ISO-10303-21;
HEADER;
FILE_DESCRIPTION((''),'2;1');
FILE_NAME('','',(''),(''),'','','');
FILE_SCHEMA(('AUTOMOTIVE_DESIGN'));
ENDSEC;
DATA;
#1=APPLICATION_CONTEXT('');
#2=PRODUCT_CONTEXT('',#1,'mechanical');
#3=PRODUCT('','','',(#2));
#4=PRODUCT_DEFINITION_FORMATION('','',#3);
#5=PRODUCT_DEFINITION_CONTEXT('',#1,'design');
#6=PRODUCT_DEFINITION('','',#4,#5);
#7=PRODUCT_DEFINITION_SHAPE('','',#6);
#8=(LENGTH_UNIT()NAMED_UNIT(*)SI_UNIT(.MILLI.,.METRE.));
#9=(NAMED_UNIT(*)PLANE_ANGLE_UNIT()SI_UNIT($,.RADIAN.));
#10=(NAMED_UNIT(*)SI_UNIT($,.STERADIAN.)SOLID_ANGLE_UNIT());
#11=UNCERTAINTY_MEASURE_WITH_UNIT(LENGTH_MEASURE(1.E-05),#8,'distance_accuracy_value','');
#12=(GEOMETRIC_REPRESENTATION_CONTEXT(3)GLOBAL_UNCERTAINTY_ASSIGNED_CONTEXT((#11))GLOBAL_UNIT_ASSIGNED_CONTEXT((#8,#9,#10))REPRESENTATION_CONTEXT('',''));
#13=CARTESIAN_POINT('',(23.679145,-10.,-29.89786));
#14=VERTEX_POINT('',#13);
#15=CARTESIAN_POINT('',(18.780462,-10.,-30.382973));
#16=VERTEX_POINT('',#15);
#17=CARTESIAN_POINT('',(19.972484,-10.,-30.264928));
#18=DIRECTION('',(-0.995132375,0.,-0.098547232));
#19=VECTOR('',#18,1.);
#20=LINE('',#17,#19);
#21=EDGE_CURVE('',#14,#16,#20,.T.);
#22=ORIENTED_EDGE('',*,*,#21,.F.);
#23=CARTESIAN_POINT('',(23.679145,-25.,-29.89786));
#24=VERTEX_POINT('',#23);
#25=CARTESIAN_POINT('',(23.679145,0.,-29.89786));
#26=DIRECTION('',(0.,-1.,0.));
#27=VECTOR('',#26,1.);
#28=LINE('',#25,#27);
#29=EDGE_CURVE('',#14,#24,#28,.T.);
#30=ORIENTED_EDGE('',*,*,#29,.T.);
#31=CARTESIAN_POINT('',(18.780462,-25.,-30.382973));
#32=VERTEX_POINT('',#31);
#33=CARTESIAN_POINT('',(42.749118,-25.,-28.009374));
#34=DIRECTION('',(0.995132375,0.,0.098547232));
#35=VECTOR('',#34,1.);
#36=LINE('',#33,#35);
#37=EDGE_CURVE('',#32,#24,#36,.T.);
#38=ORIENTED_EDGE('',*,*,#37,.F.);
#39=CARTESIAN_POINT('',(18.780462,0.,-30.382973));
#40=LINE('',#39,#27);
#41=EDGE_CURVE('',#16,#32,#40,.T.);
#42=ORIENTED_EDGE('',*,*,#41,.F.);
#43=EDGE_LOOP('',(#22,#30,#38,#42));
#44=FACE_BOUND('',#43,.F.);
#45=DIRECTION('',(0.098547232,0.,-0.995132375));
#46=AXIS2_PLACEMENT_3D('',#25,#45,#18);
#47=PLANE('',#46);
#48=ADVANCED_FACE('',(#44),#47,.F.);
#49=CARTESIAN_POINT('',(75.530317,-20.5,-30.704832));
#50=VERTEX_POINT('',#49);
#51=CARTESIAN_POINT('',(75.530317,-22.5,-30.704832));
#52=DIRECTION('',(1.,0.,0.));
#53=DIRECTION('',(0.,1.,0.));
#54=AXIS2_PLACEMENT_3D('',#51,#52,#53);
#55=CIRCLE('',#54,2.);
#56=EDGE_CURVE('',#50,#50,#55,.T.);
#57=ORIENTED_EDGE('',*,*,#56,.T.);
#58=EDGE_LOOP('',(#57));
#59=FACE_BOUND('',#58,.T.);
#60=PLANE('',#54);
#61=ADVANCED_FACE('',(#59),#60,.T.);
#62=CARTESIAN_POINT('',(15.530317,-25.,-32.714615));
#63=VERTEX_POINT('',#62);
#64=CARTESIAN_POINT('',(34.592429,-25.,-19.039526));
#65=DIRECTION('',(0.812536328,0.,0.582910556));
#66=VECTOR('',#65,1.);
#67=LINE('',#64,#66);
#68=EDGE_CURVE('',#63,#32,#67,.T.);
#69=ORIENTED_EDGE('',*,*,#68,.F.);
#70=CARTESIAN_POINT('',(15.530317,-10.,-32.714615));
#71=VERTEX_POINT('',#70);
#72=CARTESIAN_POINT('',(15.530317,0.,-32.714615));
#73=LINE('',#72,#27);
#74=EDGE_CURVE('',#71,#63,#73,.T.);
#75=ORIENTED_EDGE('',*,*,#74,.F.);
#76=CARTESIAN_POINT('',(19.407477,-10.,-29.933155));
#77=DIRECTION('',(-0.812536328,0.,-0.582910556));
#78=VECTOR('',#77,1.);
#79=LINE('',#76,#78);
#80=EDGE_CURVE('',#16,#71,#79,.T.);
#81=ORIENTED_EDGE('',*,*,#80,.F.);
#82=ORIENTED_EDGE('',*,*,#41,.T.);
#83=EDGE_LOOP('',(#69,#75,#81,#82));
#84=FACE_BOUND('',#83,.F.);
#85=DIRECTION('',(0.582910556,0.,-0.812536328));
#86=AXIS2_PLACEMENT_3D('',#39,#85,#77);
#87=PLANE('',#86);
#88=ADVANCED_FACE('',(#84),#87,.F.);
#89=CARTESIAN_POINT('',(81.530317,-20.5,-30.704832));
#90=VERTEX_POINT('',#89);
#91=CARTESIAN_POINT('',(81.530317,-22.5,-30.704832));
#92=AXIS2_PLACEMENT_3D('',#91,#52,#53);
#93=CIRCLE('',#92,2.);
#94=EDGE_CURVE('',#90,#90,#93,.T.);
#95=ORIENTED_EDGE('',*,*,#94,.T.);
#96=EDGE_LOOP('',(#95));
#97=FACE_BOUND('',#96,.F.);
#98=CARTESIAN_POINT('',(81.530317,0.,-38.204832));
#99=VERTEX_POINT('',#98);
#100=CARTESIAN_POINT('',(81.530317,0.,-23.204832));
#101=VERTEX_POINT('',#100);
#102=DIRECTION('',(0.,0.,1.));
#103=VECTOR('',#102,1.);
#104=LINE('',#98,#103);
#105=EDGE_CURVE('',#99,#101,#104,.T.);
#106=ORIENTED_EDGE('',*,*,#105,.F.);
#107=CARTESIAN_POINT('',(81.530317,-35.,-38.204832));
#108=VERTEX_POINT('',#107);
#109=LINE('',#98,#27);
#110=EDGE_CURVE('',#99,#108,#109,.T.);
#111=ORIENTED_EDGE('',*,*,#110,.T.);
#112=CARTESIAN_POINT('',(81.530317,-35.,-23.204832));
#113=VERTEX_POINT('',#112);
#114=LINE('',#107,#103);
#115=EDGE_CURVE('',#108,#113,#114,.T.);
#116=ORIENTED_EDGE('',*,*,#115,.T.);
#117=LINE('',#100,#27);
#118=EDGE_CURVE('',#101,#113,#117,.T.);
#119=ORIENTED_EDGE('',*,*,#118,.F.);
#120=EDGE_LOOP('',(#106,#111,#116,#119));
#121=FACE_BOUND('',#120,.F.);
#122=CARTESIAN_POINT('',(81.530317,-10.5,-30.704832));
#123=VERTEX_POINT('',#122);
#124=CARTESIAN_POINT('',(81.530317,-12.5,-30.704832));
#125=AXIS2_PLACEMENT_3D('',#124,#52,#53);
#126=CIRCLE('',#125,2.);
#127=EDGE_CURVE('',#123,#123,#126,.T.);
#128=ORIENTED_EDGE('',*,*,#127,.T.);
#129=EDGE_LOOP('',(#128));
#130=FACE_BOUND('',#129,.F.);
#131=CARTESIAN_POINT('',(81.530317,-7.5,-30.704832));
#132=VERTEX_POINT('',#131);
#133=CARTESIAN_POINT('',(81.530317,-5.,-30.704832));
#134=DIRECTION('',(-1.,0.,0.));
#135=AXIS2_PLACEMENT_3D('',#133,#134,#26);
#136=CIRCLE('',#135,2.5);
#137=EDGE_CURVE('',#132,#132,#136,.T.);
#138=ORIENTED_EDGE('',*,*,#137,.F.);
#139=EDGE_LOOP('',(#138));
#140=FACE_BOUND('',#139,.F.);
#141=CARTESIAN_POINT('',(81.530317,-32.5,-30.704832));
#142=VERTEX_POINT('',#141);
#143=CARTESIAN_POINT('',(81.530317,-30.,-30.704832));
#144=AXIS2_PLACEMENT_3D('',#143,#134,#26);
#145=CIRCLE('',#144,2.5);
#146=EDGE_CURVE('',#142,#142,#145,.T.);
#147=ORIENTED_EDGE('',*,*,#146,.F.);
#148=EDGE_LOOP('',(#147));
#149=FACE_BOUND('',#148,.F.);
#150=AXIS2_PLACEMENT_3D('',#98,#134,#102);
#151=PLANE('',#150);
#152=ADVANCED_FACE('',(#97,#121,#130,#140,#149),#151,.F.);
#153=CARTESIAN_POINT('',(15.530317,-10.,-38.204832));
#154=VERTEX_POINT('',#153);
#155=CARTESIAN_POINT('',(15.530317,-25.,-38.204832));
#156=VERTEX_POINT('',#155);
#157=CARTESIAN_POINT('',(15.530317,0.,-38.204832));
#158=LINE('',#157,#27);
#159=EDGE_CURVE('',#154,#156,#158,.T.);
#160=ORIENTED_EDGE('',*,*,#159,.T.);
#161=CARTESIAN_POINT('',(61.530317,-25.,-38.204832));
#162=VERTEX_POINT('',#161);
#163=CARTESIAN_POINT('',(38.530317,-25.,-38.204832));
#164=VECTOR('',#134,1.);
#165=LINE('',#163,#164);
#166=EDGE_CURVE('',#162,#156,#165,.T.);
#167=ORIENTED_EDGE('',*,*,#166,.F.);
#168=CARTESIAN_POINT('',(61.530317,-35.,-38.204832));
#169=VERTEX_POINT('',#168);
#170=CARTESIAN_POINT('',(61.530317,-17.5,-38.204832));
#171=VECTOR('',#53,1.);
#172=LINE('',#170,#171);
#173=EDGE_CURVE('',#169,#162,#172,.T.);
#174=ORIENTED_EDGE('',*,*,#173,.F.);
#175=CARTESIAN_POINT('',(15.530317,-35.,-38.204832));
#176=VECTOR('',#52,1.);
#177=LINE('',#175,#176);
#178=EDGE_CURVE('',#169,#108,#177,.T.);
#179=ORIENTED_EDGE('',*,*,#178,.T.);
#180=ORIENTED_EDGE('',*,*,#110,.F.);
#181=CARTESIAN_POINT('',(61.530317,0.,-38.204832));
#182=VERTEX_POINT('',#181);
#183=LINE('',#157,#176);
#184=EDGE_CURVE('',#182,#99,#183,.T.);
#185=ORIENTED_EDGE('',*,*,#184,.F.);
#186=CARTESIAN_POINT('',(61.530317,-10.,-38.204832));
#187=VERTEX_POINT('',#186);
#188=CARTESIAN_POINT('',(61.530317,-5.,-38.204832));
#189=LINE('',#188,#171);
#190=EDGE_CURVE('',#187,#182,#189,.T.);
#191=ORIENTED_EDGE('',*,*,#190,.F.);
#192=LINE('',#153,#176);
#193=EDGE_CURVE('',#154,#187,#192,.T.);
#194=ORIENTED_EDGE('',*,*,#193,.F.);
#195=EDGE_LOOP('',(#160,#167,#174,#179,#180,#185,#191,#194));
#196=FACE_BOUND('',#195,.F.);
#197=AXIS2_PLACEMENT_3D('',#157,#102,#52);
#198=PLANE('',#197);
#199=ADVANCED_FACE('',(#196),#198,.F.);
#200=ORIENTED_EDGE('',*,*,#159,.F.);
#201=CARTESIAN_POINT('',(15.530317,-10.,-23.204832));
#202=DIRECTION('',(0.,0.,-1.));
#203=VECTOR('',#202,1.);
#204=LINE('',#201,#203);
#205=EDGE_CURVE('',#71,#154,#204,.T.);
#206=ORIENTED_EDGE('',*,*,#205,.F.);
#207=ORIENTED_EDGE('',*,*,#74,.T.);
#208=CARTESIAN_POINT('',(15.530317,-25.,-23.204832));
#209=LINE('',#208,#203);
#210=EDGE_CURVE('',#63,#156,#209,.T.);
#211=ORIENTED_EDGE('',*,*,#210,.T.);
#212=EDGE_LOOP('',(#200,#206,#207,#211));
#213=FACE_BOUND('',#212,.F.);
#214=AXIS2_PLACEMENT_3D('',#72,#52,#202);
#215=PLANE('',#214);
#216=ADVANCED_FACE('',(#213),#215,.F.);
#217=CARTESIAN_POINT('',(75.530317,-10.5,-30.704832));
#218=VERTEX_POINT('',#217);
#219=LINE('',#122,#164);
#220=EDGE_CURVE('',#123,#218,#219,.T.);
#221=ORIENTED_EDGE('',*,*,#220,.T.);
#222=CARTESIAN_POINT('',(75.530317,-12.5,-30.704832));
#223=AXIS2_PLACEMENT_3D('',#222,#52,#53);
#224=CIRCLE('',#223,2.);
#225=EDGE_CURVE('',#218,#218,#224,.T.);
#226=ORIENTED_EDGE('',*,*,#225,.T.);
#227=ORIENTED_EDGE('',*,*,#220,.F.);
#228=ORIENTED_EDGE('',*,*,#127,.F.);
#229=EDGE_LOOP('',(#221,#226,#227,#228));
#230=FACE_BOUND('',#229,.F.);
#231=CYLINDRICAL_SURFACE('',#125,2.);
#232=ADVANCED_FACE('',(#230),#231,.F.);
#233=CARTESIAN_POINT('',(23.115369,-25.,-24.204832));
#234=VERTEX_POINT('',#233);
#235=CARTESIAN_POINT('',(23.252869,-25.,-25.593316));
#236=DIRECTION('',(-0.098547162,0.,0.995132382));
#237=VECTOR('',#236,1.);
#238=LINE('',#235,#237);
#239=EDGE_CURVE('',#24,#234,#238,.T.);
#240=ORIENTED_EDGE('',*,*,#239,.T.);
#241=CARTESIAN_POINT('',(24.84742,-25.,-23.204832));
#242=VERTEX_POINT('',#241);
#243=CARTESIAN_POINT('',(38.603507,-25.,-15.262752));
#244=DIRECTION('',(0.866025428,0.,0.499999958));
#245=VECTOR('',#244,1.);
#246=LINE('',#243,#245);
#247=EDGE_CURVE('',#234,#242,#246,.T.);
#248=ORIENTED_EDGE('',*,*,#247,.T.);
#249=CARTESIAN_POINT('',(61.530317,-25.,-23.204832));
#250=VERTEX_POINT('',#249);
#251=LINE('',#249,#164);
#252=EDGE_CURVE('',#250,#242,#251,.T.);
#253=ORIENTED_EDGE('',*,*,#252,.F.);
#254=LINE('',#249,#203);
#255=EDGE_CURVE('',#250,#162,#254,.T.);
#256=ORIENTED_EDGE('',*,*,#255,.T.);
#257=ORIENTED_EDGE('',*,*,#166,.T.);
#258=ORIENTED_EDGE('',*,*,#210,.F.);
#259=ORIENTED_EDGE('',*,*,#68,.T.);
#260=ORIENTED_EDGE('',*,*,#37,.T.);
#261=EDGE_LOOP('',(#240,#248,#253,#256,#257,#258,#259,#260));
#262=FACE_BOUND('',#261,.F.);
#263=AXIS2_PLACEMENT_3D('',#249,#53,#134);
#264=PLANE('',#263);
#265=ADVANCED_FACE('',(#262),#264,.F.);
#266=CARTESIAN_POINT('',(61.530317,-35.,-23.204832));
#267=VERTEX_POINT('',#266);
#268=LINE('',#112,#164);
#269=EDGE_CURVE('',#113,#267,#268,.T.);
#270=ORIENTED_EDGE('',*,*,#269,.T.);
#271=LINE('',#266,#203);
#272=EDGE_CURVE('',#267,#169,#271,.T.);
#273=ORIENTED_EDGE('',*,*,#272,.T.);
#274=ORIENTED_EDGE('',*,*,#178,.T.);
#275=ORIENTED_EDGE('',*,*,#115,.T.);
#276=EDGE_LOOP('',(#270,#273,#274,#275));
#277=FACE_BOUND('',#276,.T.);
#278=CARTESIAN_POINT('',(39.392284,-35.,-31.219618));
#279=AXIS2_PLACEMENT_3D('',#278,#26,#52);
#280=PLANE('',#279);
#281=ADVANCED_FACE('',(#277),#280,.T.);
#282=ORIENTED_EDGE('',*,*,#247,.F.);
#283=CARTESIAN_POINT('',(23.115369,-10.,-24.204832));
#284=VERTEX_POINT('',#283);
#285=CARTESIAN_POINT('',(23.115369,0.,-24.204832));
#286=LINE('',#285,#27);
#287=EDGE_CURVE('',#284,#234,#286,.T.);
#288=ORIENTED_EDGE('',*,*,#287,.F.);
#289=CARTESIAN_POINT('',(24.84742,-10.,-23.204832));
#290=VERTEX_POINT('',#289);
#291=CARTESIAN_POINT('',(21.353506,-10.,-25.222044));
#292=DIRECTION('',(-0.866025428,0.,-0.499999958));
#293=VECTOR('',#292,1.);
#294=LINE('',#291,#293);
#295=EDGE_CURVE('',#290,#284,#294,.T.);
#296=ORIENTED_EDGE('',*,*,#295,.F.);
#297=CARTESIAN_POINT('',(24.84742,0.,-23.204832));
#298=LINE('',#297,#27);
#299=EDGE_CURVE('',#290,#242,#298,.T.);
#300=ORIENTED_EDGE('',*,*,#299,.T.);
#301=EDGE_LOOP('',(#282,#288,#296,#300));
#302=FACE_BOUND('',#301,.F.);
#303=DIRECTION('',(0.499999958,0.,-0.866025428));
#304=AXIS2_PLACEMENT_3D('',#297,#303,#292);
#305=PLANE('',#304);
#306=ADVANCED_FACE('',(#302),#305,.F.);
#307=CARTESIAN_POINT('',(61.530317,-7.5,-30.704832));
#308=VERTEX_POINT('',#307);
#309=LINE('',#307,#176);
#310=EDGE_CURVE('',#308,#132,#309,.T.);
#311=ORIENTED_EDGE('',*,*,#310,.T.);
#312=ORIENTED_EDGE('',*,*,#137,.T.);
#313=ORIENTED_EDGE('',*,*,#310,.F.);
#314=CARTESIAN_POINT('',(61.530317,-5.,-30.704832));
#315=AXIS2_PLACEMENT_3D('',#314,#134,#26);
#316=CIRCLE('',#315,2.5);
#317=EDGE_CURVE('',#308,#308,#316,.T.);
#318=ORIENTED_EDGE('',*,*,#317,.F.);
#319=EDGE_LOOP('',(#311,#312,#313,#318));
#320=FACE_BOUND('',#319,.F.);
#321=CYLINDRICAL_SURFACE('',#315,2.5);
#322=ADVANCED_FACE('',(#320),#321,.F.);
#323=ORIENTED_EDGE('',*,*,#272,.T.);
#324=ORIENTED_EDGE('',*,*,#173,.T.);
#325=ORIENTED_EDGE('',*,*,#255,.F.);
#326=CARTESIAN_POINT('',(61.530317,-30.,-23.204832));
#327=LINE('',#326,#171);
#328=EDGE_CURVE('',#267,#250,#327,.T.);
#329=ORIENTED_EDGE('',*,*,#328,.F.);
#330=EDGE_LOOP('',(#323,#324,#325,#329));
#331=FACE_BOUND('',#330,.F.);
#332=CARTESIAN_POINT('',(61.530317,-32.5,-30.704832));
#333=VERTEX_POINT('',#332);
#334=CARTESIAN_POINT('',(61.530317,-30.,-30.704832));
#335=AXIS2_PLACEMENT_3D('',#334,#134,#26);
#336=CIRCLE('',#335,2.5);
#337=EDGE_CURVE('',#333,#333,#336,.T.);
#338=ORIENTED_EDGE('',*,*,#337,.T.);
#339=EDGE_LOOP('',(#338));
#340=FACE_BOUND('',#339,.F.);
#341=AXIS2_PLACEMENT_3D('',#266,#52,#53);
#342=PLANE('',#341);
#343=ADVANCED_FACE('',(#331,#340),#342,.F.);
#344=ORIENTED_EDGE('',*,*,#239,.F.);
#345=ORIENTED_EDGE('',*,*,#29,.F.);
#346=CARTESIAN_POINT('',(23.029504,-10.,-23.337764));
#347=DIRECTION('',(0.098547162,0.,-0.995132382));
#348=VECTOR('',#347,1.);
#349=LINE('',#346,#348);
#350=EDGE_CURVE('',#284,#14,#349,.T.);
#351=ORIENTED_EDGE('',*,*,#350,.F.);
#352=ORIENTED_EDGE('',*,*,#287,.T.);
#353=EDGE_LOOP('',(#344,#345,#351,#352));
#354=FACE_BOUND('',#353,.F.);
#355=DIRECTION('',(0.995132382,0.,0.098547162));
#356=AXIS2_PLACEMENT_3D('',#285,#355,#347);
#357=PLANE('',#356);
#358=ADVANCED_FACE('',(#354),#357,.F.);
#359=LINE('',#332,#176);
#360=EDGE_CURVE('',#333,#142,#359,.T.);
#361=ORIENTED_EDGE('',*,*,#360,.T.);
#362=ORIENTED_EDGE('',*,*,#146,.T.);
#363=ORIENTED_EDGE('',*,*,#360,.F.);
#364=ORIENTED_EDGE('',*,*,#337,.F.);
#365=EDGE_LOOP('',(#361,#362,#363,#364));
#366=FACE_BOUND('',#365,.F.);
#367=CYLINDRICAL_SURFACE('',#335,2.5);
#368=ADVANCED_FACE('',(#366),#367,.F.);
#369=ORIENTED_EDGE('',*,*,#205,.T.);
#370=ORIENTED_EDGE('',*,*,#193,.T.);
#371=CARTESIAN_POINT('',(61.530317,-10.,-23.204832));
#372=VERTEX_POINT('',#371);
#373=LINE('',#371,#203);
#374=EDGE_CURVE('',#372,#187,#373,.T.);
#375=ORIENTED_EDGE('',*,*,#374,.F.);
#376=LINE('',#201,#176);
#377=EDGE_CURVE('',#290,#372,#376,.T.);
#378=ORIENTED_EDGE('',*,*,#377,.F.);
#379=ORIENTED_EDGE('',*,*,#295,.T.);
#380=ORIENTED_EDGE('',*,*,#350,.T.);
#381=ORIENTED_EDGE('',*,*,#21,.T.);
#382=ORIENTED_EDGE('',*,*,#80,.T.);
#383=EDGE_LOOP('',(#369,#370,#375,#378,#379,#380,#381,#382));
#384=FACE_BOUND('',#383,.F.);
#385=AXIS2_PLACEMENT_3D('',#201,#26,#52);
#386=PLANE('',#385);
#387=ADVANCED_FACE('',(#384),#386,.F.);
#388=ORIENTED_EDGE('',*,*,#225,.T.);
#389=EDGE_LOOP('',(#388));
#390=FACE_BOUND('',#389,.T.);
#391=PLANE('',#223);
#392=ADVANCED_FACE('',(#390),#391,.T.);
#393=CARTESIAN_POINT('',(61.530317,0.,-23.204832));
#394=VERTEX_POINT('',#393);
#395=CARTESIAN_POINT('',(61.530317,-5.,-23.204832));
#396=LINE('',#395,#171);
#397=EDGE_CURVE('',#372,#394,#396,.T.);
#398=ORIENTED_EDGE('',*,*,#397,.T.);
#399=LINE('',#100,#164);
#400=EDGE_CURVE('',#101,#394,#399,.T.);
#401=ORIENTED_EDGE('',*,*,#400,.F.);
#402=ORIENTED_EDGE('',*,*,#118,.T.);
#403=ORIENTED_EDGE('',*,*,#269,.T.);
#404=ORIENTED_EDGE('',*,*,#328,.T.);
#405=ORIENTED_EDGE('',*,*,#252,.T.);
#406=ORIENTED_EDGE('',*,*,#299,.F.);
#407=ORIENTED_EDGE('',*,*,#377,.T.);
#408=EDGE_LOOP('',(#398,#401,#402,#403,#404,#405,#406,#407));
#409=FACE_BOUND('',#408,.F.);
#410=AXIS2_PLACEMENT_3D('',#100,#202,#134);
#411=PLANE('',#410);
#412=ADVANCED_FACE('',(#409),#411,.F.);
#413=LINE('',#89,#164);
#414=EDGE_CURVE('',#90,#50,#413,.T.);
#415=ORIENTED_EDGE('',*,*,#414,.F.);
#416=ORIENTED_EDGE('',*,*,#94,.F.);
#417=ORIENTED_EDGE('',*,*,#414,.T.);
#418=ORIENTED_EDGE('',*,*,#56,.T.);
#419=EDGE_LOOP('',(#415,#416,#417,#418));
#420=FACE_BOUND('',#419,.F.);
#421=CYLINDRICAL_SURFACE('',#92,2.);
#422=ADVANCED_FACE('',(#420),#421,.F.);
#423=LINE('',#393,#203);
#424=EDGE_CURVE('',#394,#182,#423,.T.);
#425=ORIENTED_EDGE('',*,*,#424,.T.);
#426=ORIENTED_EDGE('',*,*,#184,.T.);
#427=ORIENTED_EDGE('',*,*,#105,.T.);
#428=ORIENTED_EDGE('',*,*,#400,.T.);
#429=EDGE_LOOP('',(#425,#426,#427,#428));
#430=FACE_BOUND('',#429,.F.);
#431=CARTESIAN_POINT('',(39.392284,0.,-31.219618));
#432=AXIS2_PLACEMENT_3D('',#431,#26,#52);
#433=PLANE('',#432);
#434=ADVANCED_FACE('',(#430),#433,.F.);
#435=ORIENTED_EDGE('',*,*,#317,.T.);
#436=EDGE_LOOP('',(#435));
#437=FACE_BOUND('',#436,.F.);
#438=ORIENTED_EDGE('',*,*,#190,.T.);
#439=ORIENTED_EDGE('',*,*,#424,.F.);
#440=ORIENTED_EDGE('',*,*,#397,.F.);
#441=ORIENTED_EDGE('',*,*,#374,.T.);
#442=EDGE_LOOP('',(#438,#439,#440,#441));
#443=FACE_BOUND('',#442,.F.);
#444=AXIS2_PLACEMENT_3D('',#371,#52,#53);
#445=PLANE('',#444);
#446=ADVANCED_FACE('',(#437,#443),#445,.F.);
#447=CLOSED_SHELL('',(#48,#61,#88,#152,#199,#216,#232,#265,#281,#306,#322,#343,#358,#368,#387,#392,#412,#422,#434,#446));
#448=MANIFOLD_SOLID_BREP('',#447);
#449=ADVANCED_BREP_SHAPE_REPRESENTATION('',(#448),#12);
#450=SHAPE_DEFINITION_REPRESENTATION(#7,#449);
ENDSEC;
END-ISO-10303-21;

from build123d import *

# Parameters (mm, degrees)
F0_W      = 20
F0_H      = 7.5
F1_DEPTH  = 35
F2_W      = 36.682897
F2_H      = 10
F3_DEPTH  = 15.001
F4_R      = 2.5
F5_DEPTH  = 20.001
F7_W      = 23.5301591456
F7_H      = 12.1317058802
F8_DEPTH  = 25
F6_R      = 2
F11_DEPTH = 6


with BuildPart() as f1:
    # F0 (on Front) → F1 (new body)
    with BuildSketch(Plane.XZ):
        Polygon((61.530317, -30.704832), (61.530317, -23.204832), (24.84742, -23.204832), (23.115369, -24.204832), (23.679145, -29.89786), (18.780462, -30.382973), (15.530317, -32.714615), (15.530317, -38.204832), (61.530317, -38.204832), align=None)
        with Locations((71.530317, -26.954832)):
            Rectangle(F0_W, F0_H)
        with Locations((71.530317, -34.454832)):
            Rectangle(F0_W, F0_H)
    extrude(amount=F1_DEPTH)

    # F2 (on face) → F3 (cut, through all)
    with BuildSketch(Plane.XY.offset(-23.204832)):
        with Locations((43.1888685, -5)):
            Rectangle(F2_W, F2_H)
        Polygon((24.84742, -10), (24.84742, 0), (23.679145, 0), (23.115369, 0), (18.780462, 0), (15.530317, 0), (15.530317, -10), (18.780462, -10), (23.115369, -10), (23.679145, -10), align=None)
        with Locations((43.1888685, -30)):
            Rectangle(F2_W, F2_H)
        Polygon((24.84742, -35), (24.84742, -25), (23.679145, -25), (23.115369, -25), (18.780462, -25), (15.530317, -25), (15.530317, -35), (18.780462, -35), (23.115369, -35), (23.679145, -35), align=None)
    extrude(amount=-F3_DEPTH, mode=Mode.SUBTRACT)

    # F4 (on face) → F5 (cut, through all)
    with BuildSketch(Plane(origin=(61.530317, 0, 0), x_dir=(0, -1, 0), z_dir=(-1, 0, 0))):
        with Locations((30, -30.704832)):
            Circle(F4_R)
        with Locations((5, -30.704832)):
            Circle(F4_R)
    extrude(amount=-F5_DEPTH, mode=Mode.SUBTRACT)

    # F6 (on face) → F11 (cut)
    with BuildSketch(Plane.YZ.offset(81.530317)):
        with Locations((-12.5, -30.704832)):
            Circle(F6_R)
        with Locations((-22.5, -30.704832)):
            Circle(F6_R)
    extrude(amount=-F11_DEPTH, mode=Mode.SUBTRACT)


with BuildPart() as f8:
    # F7 (on Right) → F8 (new body)
    with BuildSketch(Plane.YZ):
        with Locations((-54.0060605854, 53.4663982689)):
            Rectangle(F7_W, F7_H)
    extrude(amount=F8_DEPTH)


with BuildPart() as f9_1:
    # F9: copy of F8
    add(f8.part.moved(Location((0, -65, 0))))


solid = f1.part
